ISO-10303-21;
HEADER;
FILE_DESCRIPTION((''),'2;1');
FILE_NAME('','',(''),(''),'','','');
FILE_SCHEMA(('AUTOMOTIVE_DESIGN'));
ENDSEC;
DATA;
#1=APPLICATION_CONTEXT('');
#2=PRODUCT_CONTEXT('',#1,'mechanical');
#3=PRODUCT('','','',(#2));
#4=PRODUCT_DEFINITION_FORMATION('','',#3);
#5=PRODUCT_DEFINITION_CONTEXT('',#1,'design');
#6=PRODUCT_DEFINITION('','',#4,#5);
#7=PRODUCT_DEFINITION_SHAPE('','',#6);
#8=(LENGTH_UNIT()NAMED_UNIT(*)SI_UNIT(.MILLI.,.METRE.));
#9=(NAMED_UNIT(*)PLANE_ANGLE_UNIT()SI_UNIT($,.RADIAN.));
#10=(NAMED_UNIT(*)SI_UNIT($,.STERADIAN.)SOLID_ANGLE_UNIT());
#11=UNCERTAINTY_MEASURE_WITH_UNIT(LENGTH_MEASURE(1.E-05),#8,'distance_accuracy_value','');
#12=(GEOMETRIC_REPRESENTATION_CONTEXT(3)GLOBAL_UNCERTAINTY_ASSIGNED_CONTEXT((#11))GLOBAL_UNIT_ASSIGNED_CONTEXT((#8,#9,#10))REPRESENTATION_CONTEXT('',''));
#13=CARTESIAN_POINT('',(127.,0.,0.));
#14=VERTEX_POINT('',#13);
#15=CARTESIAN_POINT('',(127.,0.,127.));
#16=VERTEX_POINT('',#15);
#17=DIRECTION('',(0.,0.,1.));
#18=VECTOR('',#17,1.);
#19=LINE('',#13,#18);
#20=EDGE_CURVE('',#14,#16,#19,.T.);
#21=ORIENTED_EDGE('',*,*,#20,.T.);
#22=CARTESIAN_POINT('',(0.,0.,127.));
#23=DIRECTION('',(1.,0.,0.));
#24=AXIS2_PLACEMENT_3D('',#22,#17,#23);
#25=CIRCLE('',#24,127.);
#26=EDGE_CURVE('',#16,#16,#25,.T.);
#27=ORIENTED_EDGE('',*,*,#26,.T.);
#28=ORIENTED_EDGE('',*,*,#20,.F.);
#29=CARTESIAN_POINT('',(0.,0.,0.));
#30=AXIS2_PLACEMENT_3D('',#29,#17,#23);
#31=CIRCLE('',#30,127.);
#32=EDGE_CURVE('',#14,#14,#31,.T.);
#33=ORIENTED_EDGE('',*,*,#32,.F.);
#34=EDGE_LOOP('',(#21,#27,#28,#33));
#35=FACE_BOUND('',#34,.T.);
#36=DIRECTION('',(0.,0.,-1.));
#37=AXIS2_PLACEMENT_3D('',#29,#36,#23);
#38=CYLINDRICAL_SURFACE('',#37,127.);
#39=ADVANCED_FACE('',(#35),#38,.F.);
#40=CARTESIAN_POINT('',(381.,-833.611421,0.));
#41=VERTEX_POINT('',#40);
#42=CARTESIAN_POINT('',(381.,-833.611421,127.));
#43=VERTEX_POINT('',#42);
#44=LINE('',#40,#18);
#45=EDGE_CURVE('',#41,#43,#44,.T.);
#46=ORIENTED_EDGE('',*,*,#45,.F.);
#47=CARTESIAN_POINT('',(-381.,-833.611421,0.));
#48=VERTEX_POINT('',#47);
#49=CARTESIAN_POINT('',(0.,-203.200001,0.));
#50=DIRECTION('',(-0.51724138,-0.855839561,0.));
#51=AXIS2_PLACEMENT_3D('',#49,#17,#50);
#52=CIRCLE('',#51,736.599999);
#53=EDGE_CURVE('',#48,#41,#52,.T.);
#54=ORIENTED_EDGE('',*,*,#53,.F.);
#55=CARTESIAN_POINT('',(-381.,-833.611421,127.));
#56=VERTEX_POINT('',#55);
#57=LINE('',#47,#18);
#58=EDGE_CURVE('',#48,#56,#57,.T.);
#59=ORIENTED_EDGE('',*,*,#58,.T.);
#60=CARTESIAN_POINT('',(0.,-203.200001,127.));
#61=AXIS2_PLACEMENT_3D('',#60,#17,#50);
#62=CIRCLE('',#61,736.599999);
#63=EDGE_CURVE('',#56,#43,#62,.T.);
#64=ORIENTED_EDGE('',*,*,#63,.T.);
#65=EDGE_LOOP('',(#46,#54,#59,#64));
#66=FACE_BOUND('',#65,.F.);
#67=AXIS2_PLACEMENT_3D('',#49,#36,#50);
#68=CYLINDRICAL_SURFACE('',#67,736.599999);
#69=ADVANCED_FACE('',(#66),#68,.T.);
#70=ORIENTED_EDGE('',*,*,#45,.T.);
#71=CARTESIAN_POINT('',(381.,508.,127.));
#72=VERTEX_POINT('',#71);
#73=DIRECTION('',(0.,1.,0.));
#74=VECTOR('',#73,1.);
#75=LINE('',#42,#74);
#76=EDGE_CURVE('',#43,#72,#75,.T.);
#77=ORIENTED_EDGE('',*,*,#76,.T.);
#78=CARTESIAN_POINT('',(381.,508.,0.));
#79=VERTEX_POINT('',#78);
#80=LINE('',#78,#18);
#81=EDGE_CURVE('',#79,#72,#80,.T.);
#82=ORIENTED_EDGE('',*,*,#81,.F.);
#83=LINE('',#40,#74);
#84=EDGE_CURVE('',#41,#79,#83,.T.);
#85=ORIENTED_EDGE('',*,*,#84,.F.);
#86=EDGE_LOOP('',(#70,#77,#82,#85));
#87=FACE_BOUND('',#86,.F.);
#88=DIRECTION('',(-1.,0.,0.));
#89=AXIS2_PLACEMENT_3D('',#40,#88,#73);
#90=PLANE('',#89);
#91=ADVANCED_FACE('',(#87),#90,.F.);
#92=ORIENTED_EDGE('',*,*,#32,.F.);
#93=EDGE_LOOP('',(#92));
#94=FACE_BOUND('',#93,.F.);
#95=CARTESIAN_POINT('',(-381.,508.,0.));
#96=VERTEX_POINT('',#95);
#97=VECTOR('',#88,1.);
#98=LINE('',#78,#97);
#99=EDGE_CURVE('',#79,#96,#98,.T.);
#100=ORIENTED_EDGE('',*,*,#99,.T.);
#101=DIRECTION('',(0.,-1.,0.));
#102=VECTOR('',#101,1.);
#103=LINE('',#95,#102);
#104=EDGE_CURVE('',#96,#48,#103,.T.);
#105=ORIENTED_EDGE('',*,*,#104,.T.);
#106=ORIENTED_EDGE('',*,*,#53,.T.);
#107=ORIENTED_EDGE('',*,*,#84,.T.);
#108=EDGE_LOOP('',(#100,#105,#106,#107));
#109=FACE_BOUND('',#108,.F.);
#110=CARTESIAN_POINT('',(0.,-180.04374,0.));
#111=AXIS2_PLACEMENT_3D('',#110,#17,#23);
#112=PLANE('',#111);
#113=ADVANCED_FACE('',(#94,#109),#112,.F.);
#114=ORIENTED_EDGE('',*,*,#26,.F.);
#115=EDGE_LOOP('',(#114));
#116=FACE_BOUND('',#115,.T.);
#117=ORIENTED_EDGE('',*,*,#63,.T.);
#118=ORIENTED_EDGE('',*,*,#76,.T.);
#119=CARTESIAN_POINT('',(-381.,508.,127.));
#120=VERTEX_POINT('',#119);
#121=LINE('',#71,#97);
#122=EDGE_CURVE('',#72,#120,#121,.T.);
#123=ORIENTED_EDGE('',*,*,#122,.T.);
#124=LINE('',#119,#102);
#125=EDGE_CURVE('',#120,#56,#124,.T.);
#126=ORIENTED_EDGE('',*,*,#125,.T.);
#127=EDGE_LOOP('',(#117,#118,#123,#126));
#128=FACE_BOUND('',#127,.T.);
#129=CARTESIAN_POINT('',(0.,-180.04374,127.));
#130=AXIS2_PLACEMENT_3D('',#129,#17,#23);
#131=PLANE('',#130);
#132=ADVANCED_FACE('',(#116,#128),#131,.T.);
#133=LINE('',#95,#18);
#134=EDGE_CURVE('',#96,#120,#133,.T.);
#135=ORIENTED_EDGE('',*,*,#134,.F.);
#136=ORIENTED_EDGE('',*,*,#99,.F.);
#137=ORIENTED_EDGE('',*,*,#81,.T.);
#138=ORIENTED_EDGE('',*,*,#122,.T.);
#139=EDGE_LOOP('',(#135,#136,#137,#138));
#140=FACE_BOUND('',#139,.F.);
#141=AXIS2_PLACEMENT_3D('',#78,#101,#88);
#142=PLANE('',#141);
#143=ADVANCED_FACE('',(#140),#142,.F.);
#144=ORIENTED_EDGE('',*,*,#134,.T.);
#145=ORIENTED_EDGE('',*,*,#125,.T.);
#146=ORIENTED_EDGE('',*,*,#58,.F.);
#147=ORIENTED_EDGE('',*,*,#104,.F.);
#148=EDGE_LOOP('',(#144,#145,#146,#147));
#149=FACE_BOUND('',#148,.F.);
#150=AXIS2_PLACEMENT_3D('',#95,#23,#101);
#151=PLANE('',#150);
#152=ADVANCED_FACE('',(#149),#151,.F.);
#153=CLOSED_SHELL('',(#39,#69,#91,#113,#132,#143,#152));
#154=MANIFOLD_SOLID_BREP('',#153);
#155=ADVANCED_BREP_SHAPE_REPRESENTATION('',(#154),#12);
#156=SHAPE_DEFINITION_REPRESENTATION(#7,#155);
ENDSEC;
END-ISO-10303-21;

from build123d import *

# Parameters (mm, degrees)
F0_R     = 127
F1_DEPTH = 127


with BuildPart() as f1:
    # F0 (on Top) → F1 (new body)
    with BuildSketch(Plane.XY):
        with BuildLine():
            Line((381, 508), (0, 508))
            Line((0, 508), (-381, 508))
            Line((-381, 508), (-381, -833.611421))
            ThreePointArc((-381, -833.611421), (0, -939.8), (381, -833.611421))
            Line((381, -833.611421), (381, 508))
        make_face()
        Circle(F0_R, mode=Mode.SUBTRACT)
    extrude(amount=F1_DEPTH)


solid = f1.part
